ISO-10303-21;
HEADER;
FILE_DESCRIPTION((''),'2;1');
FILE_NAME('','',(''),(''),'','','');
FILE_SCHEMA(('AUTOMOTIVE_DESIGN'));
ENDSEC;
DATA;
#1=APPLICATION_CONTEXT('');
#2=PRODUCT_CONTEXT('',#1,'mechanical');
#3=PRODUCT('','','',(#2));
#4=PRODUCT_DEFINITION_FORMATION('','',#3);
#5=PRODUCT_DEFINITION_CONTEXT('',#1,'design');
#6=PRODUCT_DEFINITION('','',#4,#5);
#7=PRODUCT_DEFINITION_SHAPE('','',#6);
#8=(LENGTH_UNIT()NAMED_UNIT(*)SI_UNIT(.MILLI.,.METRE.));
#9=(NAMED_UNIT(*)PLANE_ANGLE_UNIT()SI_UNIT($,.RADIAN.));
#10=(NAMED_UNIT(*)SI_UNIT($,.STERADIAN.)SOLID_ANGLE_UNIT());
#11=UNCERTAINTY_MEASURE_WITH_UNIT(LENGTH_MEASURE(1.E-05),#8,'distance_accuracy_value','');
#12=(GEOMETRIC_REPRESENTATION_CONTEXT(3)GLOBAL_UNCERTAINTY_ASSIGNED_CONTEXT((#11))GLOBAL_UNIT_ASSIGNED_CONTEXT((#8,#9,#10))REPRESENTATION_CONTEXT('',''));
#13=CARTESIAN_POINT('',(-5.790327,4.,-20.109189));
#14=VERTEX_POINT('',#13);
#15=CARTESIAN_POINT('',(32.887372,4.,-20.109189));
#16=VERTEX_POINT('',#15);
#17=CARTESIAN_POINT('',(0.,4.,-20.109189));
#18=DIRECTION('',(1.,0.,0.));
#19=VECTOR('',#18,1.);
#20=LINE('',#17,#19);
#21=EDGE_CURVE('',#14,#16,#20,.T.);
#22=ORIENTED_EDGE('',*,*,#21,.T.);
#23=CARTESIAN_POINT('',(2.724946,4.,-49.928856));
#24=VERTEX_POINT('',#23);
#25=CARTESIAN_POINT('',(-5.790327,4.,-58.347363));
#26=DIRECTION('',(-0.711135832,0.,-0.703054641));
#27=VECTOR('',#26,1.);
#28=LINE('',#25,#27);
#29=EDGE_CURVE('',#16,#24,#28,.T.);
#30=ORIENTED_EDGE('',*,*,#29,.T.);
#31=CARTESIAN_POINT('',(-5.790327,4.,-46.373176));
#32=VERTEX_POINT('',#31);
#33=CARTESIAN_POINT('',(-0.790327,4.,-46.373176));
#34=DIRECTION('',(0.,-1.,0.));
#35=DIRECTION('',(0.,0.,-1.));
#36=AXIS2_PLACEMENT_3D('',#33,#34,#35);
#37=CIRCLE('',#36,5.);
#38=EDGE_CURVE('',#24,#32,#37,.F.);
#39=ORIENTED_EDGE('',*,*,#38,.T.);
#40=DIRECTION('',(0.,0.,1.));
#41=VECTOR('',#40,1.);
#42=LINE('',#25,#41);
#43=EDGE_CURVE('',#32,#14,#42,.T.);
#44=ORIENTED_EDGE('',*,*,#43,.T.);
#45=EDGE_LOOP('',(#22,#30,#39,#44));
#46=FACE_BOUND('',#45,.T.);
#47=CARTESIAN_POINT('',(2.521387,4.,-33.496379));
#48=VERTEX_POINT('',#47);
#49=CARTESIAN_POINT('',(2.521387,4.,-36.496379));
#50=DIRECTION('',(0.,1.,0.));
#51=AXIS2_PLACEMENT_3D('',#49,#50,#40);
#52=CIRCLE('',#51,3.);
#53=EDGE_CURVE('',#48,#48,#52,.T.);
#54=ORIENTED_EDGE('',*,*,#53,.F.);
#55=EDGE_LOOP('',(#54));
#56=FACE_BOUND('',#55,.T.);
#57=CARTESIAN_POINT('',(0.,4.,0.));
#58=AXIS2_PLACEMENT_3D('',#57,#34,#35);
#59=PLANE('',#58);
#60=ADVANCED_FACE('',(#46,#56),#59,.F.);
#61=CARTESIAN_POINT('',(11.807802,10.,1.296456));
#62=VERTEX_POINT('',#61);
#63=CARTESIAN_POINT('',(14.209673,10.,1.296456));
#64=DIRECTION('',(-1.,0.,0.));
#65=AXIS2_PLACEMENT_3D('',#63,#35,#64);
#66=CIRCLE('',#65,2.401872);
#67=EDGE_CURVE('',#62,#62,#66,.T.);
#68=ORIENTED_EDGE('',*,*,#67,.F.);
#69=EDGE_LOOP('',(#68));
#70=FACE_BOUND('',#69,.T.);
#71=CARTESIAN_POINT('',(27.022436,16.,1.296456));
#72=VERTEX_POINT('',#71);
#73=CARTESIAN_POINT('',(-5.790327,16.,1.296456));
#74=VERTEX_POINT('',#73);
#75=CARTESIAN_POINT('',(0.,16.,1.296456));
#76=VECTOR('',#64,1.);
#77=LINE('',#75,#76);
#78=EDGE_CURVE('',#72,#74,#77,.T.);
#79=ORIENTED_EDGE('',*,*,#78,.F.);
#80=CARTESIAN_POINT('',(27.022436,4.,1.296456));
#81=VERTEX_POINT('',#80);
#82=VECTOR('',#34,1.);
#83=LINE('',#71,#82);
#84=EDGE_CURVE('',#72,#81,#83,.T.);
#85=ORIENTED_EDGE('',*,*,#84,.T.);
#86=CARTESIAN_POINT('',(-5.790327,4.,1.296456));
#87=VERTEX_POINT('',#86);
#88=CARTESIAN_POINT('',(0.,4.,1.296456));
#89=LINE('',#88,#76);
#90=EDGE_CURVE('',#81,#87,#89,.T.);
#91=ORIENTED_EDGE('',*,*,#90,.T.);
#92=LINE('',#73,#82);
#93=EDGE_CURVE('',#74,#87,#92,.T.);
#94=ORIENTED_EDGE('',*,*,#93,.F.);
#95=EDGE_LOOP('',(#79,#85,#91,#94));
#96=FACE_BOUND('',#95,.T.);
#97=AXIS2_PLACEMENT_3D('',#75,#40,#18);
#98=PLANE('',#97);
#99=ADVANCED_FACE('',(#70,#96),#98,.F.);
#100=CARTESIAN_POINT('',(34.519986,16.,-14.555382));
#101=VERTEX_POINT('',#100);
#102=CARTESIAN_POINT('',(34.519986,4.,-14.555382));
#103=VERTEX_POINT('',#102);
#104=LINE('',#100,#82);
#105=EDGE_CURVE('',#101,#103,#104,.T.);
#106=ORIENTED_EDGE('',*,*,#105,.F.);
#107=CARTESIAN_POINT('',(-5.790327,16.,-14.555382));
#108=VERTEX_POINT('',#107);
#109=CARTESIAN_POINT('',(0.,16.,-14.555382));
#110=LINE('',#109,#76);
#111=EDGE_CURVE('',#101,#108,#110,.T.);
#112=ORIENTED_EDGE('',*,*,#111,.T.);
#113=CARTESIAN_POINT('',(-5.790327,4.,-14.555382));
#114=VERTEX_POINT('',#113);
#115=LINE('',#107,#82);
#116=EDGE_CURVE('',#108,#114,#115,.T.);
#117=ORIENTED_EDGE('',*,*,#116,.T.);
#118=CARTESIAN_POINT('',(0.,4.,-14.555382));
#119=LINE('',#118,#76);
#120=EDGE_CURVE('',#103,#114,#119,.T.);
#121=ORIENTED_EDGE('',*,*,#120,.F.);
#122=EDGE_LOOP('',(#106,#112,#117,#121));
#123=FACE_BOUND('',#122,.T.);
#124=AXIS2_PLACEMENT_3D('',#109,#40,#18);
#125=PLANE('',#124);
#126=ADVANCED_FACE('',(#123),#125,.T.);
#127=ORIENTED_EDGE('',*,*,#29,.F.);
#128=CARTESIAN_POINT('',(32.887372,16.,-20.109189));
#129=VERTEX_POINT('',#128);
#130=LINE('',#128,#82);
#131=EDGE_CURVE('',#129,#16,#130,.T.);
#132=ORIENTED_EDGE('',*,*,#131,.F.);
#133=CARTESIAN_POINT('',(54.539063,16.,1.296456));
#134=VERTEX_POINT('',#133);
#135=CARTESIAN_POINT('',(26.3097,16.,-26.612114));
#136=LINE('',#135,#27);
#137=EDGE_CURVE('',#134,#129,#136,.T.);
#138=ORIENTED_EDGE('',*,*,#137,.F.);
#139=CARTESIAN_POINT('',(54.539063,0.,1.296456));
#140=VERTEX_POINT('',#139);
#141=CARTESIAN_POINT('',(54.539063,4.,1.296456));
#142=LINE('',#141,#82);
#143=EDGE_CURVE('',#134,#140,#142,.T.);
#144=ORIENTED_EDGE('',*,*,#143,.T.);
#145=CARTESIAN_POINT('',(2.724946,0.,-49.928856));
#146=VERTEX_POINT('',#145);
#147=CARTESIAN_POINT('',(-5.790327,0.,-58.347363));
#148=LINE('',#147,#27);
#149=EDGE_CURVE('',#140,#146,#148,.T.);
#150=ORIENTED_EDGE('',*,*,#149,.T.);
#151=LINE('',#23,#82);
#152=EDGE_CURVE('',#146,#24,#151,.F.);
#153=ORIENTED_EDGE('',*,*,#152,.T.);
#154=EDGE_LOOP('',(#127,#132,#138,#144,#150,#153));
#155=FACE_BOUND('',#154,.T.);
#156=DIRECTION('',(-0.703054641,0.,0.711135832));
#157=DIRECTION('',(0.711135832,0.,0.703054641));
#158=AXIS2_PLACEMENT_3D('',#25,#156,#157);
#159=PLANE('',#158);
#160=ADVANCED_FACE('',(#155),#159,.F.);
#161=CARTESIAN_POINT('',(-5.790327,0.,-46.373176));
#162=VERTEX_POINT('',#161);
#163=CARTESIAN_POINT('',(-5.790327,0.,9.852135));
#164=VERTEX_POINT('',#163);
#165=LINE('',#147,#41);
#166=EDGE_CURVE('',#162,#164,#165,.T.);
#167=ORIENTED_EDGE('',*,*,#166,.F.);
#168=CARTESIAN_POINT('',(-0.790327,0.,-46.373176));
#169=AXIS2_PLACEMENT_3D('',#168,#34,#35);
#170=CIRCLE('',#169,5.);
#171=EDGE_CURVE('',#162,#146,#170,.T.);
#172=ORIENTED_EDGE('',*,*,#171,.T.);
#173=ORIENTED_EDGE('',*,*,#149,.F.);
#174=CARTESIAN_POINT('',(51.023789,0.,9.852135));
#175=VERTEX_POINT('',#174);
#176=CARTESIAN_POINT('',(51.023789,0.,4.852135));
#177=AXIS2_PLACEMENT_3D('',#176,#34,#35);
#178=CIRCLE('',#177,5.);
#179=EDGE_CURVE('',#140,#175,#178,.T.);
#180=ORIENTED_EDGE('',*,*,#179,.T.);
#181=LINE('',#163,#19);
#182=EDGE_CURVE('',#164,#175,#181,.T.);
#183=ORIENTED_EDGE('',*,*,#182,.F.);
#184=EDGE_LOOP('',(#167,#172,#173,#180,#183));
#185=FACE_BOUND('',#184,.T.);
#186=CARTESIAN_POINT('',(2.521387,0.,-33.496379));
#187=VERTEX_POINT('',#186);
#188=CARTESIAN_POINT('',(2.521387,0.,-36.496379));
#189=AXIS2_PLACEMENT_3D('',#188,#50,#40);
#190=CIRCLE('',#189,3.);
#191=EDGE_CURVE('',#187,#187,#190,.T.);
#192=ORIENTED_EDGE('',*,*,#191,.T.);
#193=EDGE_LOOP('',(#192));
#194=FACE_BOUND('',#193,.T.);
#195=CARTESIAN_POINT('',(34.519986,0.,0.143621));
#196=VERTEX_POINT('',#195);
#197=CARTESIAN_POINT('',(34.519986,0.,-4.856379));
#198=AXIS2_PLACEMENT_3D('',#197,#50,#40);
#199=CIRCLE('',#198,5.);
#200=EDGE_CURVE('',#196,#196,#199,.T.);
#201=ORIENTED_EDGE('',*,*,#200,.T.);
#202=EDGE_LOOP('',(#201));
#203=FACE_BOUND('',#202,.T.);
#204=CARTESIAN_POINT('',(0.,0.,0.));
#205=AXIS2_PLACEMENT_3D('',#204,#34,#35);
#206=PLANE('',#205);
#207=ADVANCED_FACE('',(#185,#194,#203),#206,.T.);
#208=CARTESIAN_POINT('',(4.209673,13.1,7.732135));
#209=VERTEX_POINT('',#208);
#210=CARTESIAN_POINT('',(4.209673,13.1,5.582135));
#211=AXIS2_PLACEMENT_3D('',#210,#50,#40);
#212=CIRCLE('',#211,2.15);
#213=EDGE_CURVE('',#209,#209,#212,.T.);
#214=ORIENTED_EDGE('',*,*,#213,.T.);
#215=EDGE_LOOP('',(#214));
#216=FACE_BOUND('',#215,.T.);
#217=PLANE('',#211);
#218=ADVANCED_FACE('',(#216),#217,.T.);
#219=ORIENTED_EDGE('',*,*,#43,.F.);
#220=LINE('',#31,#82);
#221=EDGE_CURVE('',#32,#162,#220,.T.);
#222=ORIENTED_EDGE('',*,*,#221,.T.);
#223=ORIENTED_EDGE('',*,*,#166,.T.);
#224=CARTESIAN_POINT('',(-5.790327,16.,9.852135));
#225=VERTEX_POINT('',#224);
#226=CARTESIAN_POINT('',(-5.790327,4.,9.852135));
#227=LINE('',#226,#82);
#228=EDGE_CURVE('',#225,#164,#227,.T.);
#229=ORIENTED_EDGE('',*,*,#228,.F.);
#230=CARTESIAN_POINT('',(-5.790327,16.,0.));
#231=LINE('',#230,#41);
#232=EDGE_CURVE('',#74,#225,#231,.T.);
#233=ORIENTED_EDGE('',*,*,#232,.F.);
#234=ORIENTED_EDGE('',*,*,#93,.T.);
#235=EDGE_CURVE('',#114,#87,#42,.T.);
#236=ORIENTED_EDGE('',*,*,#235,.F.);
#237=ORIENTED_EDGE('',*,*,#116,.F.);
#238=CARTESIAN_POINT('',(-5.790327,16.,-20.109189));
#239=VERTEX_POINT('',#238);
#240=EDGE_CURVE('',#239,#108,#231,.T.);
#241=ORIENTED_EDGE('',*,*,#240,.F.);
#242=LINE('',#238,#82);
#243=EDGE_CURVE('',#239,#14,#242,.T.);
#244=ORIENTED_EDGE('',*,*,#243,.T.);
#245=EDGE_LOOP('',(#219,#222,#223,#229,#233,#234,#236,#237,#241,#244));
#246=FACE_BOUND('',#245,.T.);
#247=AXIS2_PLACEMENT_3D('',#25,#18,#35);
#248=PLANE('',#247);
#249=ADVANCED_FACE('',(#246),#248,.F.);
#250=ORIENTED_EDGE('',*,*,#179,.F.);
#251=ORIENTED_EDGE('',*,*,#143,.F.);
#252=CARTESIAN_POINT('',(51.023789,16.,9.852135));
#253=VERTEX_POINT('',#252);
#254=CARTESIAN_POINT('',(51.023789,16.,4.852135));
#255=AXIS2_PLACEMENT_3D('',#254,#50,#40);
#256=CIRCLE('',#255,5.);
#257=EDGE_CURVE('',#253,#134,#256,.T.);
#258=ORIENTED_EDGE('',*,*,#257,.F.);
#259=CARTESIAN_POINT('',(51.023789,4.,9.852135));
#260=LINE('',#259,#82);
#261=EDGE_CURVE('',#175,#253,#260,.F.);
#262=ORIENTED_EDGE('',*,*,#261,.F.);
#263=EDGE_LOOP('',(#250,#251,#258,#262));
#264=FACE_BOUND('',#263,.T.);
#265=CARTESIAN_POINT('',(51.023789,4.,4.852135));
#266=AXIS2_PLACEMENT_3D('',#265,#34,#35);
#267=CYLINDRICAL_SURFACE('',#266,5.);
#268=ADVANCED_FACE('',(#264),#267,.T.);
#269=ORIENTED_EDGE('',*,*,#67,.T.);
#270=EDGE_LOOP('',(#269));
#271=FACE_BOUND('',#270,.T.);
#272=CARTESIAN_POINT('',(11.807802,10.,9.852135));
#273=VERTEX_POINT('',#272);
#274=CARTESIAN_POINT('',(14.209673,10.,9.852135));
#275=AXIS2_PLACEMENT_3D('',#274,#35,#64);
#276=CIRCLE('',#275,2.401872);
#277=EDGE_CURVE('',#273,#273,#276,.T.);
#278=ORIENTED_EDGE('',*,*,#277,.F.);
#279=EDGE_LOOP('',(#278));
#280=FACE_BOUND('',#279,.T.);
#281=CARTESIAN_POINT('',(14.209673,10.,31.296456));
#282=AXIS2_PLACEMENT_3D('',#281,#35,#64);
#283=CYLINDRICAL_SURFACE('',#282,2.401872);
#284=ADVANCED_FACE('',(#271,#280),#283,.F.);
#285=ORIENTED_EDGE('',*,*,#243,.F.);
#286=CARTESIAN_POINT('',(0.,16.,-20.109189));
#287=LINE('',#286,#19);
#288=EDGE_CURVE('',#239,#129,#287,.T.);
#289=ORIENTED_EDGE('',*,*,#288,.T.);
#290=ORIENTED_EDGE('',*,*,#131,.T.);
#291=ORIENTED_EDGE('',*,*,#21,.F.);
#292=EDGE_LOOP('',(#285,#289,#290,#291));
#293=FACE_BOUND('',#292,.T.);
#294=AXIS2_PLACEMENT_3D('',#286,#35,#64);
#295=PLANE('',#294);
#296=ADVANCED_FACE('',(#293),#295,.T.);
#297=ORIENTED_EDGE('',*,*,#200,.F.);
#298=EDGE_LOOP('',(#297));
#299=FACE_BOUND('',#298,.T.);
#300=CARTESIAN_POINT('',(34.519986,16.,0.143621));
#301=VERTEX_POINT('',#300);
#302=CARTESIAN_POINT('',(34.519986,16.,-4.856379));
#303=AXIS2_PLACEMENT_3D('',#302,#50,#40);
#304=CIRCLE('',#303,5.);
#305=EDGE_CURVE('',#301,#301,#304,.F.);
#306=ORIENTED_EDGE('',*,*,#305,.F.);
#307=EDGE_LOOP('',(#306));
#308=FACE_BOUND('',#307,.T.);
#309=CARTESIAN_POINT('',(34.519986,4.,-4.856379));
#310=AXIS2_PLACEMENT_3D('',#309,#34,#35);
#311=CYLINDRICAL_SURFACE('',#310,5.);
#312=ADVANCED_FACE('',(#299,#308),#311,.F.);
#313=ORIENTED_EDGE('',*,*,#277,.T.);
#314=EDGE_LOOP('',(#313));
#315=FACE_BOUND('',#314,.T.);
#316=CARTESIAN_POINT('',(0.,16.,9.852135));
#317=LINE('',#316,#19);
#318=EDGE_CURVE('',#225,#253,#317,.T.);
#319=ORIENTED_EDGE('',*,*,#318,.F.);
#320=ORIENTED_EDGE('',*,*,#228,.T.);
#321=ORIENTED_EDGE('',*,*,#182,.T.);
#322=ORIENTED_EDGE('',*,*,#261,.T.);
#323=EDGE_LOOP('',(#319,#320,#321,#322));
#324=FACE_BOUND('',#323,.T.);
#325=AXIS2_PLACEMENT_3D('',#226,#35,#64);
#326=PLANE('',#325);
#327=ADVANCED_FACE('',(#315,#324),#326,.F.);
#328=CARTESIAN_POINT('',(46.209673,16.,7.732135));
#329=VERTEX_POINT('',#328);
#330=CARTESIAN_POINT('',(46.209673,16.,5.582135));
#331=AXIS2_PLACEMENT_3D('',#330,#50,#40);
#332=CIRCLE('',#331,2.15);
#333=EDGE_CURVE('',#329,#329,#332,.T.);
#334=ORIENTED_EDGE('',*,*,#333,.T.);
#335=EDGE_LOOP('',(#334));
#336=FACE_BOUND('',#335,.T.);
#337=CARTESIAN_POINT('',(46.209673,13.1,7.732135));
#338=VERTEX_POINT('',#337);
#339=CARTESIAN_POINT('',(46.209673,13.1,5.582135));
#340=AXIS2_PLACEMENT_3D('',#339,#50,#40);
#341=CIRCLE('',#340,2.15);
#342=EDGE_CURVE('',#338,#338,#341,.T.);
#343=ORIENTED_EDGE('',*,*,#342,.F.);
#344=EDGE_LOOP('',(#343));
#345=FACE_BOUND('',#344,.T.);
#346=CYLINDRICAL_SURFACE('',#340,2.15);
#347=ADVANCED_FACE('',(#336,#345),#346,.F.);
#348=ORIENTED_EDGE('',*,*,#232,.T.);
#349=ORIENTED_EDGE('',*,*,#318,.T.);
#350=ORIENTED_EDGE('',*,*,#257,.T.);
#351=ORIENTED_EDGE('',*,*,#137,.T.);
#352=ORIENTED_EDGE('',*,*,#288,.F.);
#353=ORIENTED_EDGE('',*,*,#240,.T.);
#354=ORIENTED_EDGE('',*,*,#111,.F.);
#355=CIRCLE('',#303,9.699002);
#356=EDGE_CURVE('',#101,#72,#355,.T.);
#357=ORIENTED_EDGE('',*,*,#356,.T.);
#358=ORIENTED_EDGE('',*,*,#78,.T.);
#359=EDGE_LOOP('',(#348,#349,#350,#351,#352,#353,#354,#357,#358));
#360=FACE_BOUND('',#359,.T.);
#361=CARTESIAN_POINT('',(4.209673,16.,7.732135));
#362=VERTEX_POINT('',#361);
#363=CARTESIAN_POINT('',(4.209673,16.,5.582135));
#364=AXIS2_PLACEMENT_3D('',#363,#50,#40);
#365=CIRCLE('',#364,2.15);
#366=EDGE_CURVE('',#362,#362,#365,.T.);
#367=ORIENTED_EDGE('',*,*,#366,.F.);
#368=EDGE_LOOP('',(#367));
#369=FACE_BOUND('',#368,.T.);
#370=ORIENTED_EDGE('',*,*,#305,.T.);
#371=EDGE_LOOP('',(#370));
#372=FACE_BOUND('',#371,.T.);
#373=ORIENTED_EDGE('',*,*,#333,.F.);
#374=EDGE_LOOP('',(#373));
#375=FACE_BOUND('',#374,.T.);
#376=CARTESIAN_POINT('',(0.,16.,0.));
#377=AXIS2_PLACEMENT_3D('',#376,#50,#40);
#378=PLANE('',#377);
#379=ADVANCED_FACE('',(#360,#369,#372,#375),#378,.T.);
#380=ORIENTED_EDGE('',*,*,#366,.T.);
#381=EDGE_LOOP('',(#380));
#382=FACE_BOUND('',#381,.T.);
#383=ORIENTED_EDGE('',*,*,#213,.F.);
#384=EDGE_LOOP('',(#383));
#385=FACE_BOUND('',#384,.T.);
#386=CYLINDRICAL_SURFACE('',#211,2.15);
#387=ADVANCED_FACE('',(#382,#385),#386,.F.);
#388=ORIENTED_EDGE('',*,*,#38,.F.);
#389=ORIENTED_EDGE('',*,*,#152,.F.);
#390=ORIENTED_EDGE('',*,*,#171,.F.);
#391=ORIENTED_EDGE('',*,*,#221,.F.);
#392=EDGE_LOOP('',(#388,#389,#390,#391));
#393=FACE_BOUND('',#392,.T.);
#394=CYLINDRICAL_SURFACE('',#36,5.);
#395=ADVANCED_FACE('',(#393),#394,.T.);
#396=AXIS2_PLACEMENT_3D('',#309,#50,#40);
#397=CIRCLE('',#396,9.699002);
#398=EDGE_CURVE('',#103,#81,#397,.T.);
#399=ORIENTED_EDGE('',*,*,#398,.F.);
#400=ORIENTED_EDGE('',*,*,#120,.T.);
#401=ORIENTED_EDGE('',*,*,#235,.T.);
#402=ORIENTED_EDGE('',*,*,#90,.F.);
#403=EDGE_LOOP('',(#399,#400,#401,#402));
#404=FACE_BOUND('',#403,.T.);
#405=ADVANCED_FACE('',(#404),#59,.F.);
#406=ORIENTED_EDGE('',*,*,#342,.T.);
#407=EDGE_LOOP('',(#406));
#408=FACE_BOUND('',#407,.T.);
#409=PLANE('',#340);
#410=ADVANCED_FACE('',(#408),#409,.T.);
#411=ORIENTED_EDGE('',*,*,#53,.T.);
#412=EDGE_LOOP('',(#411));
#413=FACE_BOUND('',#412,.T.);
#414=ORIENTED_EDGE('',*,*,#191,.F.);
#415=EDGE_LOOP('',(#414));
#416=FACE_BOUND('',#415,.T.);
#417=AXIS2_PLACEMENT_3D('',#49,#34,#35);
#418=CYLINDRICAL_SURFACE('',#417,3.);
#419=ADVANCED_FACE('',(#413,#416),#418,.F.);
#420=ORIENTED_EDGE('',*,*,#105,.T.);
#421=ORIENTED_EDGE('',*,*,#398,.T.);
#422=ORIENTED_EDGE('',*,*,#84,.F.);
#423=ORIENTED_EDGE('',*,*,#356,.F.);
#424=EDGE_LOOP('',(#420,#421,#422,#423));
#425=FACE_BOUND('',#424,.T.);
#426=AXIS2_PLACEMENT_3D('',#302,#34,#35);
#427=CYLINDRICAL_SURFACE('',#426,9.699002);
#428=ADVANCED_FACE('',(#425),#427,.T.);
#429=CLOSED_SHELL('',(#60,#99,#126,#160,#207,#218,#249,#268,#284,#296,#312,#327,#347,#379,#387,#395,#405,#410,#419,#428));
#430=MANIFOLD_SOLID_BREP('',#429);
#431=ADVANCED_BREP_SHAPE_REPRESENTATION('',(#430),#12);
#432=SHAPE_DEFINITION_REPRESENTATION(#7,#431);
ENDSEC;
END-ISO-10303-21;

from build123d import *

# Parameters (mm, degrees)
SKETCH1_R           = 3
SKETCH1_R_2         = 5
BOSS_EXTRUDE1_DEPTH = 4
FILLET1_R           = 5
SKETCH2_R           = 5
BOSS_EXTRUDE2_DEPTH = 12
SKETCH4_R           = 2.401871641
CUT_EXTRUDE2_DEPTH  = 30
SKETCH6_R           = 2.15
CUT_EXTRUDE3_DEPTH  = 2.9


with BuildPart() as part:
    # Sketch1 → Boss-Extrude1 (new body)
    with BuildSketch(Plane(origin=(0, 0, 0), x_dir=(1, 0, 0), z_dir=(0, 1, 0))):
        Polygon((-5.790326763, 58.347363117), (-5.790326763, -9.85213545), (63.193084095, -9.85213545), align=None)
        with Locations(Location((2.52138652, 36.496379496, 0), (0, 0, 270))):
            Circle(SKETCH1_R, mode=Mode.SUBTRACT)
        with Locations(Location((34.519986489, 4.856379496, 0), (0, 0, 270))):
            Circle(SKETCH1_R_2, mode=Mode.SUBTRACT)
    extrude(amount=BOSS_EXTRUDE1_DEPTH)

    # Fillet1
    fillet1_edges = [part.edges().sort_by_distance(p)[0] for p in [
        (63.193084095, 2, 9.85213545),
        (-5.790326763, 2, -58.347363117),
    ]]
    fillet(fillet1_edges, radius=FILLET1_R)

    # Sketch2 → Boss-Extrude2 (add)
    # profile 1 of 5: a face of its own
    with BuildSketch(Plane(origin=(0, 4, 0), x_dir=(1, 0, 0), z_dir=(0, 1, 0))):
        with BuildLine():
            Line((42.017536623, -1.29645629), (54.539062539, -1.29645629))
            Line((54.539062539, -1.29645629), (41.338915092, 11.753687589))
            ThreePointArc((41.338915092, 11.753687589), (43.470054942, 8.593613888), (44.21898882, 4.856379496))
            ThreePointArc((44.21898882, 4.856379496), (43.65205642, 1.588973033), (42.017536623, -1.29645629))
        make_face()
    # profile 2 of 5: a face of its own
    with BuildSketch(Plane(origin=(0, 4, 0), x_dir=(1, 0, 0), z_dir=(0, 1, 0))):
        with BuildLine():
            ThreePointArc((51.023789334, -9.85213545), (55.648635051, -6.752346517), (54.539062539, -1.29645629))
            Line((54.539062539, -1.29645629), (42.017536623, -1.29645629))
            ThreePointArc((42.017536623, -1.29645629), (34.519986489, -4.842622834), (27.022436356, -1.29645629))
            Line((27.022436356, -1.29645629), (-5.790326763, -1.29645629))
            Line((-5.790326763, -1.29645629), (-5.790326763, -9.85213545))
            Line((-5.790326763, -9.85213545), (51.023789334, -9.85213545))
        make_face()
    # profile 3 of 5: a face of its own
    with BuildSketch(Plane(origin=(0, 4, 0), x_dir=(1, 0, 0), z_dir=(0, 1, 0))):
        with BuildLine():
            ThreePointArc((27.022436356, -1.29645629), (34.519986489, -4.842622834), (42.017536623, -1.29645629))
            Line((42.017536623, -1.29645629), (27.022436356, -1.29645629))
        make_face()
    # profile 4 of 5: a face of its own
    with BuildSketch(Plane(origin=(0, 4, 0), x_dir=(1, 0, 0), z_dir=(0, 1, 0))):
        with BuildLine():
            ThreePointArc((34.519986489, 14.555381827), (38.206016803, 13.827657373), (41.338915092, 11.753687589))
            Line((41.338915092, 11.753687589), (32.887372323, 20.109188887))
            Line((32.887372323, 20.109188887), (-5.790326763, 20.109188887))
            Line((-5.790326763, 20.109188887), (-5.790326763, 14.555381827))
            Line((-5.790326763, 14.555381827), (34.519986489, 14.555381827))
        make_face()
    # profile 5 of 5: a face of its own
    with BuildSketch(Plane(origin=(0, 4, 0), x_dir=(1, 0, 0), z_dir=(0, 1, 0))):
        with BuildLine():
            Line((27.022436356, -1.29645629), (42.017536623, -1.29645629))
            ThreePointArc((42.017536623, -1.29645629), (43.65205642, 1.588973033), (44.21898882, 4.856379496))
            ThreePointArc((44.21898882, 4.856379496), (43.470054942, 8.593613888), (41.338915092, 11.753687589))
            ThreePointArc((41.338915092, 11.753687589), (38.206016803, 13.827657373), (34.519986489, 14.555381827))
            ThreePointArc((34.519986489, 14.555381827), (25.752232648, 9.003322803), (27.022436356, -1.29645629))
        make_face()
        with Locations(Location((34.519986489, 4.856379496, 0), (0, 0, 270))):
            Circle(SKETCH2_R, mode=Mode.SUBTRACT)
    extrude(amount=BOSS_EXTRUDE2_DEPTH)

    # Sketch4 → Cut-Extrude2 (cut)
    with BuildSketch(Plane(origin=(0, 0, 1.29645629), x_dir=(-1, 0, 0), z_dir=(0, 0, -1))):
        with Locations((-14.209673237, 10)):
            Circle(SKETCH4_R)
    extrude(amount=-CUT_EXTRUDE2_DEPTH, mode=Mode.SUBTRACT)

    # Sketch6 → Cut-Extrude3 (cut)
    with BuildSketch(Plane(origin=(0, 16, 0), x_dir=(1, 0, 0), z_dir=(0, 1, 0))):
        with Locations(Location((46.209673237, -5.58213545, 0), (0, 0, 270))):
            Circle(SKETCH6_R)
        with Locations(Location((4.209673237, -5.58213545, 0), (0, 0, 270))):
            Circle(SKETCH6_R)
    extrude(amount=-CUT_EXTRUDE3_DEPTH, mode=Mode.SUBTRACT)


solid = part.part
